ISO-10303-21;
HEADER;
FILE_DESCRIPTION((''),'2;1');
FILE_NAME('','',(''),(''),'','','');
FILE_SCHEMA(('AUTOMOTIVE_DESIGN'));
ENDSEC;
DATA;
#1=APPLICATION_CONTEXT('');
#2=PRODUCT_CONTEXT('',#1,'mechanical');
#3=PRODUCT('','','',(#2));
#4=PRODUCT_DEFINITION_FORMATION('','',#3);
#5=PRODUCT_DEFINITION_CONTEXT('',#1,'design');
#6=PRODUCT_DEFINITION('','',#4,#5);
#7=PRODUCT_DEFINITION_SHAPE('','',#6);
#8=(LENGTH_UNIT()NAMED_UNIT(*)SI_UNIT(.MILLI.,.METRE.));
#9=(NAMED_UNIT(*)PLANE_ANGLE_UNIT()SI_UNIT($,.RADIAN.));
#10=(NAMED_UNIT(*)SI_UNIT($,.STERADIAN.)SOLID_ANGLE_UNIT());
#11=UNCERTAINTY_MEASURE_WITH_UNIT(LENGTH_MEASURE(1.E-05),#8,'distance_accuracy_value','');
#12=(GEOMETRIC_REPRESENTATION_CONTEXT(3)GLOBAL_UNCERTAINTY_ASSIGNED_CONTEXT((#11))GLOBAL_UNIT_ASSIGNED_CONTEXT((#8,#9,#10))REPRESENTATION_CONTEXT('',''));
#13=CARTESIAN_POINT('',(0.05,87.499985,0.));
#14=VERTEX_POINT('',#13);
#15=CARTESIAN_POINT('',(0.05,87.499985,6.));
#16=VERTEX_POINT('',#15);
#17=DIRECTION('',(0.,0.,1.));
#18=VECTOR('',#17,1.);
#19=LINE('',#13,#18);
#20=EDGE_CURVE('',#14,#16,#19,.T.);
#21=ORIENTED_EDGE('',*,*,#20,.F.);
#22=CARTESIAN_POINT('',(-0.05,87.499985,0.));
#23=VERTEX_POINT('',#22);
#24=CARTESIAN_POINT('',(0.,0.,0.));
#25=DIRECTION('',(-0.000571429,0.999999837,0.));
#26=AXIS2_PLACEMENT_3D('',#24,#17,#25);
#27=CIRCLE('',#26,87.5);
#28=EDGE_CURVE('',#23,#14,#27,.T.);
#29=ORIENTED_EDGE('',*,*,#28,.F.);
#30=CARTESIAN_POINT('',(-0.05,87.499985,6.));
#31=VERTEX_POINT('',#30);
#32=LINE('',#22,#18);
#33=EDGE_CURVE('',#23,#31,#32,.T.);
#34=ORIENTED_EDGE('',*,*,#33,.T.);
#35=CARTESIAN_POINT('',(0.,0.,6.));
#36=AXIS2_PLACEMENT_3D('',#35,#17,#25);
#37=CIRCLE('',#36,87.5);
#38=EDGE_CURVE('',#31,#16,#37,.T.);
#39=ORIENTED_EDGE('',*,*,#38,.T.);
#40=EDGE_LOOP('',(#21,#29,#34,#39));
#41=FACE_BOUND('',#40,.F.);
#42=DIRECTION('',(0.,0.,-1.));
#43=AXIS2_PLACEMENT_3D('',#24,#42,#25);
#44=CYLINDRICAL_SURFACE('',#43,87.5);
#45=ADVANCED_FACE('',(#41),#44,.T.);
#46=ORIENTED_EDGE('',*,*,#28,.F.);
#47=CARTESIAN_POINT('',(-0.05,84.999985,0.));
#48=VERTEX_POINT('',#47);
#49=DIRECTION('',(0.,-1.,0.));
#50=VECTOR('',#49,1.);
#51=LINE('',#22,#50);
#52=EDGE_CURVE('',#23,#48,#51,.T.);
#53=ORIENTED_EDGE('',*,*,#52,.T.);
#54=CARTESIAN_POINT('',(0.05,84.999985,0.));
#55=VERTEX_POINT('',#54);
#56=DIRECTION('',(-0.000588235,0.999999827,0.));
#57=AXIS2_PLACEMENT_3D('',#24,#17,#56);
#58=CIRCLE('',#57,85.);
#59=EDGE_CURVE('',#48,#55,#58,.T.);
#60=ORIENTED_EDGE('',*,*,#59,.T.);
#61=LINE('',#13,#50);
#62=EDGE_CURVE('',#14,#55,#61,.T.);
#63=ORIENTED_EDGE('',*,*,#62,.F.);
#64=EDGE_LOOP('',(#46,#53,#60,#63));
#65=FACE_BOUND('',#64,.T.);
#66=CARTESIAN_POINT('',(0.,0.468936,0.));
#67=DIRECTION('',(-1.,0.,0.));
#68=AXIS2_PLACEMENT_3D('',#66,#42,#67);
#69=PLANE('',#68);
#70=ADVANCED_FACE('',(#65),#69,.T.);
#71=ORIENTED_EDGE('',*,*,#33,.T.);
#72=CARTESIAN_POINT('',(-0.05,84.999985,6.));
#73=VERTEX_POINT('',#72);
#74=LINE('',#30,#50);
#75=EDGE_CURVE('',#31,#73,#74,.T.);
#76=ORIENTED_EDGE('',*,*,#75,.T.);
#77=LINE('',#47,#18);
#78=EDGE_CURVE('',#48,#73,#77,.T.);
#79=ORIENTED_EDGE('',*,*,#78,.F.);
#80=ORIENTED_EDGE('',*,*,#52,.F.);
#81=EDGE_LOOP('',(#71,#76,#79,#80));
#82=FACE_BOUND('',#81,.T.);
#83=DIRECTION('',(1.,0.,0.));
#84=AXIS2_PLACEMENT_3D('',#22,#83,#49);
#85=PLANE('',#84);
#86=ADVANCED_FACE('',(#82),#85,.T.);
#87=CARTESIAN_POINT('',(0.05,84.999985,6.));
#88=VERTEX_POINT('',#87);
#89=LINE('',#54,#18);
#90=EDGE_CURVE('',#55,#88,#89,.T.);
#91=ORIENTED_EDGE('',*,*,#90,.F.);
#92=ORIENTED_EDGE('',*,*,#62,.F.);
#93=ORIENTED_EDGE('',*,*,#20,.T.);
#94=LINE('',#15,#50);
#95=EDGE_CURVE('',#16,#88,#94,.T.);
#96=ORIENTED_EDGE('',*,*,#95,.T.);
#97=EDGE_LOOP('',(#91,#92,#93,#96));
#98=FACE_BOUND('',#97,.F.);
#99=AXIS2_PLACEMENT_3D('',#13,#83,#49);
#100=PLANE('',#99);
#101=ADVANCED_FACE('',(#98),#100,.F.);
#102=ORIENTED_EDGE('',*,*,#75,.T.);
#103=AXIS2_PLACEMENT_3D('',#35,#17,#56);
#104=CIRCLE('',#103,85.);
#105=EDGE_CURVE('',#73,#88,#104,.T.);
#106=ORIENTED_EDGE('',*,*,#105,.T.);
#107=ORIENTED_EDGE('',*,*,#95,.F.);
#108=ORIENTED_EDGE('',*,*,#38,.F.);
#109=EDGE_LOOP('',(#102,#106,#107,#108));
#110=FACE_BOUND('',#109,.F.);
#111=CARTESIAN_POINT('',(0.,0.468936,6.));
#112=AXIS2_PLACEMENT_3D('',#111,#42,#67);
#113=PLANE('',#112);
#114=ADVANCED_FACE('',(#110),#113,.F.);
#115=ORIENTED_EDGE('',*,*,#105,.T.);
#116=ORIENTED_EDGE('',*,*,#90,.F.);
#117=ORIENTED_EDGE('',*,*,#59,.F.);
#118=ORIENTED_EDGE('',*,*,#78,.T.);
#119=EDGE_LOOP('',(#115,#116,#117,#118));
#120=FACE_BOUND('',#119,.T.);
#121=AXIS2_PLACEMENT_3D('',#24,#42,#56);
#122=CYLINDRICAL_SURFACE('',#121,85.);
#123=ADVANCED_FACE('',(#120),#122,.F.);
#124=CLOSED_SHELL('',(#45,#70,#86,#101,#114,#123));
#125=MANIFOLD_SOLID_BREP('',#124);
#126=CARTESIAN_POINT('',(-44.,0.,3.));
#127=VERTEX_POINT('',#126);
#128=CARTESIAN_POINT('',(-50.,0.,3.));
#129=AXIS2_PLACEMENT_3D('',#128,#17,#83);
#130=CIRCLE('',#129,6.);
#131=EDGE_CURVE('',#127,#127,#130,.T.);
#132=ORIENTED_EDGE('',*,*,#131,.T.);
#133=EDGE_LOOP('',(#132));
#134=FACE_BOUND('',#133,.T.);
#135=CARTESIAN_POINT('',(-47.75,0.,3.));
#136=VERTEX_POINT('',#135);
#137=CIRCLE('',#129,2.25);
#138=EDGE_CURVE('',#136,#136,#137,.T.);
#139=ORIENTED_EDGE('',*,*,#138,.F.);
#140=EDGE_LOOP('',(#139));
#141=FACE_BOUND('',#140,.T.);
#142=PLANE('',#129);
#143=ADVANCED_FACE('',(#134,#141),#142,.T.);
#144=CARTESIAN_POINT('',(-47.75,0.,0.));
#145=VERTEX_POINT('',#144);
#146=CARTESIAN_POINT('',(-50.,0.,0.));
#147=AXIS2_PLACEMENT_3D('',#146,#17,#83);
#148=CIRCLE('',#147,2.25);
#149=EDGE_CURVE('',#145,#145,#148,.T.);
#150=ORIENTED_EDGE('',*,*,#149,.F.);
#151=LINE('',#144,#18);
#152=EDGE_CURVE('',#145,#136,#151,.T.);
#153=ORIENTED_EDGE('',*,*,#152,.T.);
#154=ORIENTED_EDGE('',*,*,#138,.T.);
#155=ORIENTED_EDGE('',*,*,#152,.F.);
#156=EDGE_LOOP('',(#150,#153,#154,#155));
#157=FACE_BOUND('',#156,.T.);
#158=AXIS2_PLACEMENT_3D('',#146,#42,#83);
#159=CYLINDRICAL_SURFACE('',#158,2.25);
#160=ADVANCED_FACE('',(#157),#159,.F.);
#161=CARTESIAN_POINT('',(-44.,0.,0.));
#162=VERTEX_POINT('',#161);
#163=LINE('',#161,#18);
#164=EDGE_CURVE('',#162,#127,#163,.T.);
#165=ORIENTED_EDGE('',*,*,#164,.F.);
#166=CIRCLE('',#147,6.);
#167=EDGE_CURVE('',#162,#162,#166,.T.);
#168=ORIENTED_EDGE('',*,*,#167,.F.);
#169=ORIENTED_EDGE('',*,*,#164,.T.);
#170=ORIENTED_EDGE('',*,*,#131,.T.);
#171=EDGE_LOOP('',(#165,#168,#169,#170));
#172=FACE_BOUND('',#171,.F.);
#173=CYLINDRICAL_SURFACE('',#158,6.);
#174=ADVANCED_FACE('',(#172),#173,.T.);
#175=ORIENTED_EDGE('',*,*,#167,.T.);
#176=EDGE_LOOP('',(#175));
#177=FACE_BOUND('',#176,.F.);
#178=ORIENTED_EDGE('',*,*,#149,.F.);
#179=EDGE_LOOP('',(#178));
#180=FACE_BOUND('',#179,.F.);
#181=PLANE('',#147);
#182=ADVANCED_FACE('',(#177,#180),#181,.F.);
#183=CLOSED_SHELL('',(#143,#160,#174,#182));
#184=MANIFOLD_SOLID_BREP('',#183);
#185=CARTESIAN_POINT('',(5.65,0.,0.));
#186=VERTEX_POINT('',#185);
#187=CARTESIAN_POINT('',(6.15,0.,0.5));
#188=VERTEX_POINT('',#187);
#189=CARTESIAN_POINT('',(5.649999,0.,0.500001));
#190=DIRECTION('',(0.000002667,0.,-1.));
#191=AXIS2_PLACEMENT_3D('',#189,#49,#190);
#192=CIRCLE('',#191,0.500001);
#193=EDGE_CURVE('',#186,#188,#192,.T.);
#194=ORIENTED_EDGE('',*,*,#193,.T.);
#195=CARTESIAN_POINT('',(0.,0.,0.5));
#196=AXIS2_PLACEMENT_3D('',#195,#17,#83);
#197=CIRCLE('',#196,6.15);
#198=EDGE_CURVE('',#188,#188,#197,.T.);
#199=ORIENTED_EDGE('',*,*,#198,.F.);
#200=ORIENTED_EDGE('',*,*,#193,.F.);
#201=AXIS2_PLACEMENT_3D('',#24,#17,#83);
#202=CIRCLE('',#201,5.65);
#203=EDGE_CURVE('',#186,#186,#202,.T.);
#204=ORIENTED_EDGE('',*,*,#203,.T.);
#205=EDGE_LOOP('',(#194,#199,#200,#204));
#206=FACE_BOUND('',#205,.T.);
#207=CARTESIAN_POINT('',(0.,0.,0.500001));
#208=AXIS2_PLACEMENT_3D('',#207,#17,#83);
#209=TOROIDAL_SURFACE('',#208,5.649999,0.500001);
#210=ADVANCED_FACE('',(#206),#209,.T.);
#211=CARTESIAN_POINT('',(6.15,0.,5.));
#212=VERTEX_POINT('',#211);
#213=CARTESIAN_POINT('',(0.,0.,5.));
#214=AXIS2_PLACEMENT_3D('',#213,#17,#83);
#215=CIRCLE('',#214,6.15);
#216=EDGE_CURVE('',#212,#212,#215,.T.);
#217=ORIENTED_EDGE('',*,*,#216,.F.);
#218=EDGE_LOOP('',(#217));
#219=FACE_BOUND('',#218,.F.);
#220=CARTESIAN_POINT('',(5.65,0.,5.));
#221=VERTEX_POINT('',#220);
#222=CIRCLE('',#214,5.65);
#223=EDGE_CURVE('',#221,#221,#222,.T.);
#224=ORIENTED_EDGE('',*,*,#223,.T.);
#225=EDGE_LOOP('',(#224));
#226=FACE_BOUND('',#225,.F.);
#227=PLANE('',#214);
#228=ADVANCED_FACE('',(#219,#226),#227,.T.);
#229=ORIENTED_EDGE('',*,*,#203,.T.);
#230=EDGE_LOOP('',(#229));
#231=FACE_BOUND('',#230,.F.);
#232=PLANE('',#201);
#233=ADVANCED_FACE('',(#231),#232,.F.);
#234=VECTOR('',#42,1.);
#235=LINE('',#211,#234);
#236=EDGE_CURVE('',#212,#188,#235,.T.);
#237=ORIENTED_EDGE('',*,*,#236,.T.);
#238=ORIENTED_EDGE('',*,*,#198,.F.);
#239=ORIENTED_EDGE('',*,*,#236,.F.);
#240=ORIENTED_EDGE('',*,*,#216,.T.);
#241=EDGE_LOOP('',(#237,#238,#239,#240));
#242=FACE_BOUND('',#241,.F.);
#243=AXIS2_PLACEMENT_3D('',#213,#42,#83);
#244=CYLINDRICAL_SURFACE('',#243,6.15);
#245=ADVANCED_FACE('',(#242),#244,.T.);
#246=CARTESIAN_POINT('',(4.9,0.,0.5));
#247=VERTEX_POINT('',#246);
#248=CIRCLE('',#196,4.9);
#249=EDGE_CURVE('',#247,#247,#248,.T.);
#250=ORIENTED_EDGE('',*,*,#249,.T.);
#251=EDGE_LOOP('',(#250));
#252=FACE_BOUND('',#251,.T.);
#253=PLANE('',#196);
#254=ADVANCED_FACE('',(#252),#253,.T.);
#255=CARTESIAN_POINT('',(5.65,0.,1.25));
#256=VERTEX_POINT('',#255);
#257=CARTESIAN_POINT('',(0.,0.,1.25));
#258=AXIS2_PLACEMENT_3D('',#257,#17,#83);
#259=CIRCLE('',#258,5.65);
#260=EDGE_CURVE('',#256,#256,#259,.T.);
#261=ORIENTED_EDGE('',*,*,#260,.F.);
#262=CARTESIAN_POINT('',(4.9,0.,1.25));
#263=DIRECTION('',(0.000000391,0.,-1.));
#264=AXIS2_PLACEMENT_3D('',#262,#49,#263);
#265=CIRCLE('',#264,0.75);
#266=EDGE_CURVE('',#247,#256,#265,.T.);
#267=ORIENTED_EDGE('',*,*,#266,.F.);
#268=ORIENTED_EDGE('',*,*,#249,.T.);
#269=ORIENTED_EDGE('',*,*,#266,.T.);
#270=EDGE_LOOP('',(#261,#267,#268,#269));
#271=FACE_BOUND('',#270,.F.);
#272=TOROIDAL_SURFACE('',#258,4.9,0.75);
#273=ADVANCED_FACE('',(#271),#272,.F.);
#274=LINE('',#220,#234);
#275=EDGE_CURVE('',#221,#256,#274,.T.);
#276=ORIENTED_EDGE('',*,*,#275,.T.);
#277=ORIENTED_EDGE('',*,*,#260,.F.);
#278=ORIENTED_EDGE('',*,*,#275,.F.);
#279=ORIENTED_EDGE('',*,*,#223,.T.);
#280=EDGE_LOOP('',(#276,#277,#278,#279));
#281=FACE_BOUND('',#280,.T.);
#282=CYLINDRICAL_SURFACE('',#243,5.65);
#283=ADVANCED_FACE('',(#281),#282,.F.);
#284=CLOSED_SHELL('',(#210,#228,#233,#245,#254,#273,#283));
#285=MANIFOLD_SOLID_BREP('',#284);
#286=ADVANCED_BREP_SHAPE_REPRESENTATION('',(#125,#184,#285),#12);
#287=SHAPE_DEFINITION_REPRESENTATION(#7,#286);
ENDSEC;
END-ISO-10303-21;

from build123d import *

# Parameters (mm, degrees)
PAD_DEPTH     = 6
SKETCH001_R   = 6
SKETCH001_R_2 = 2.25
PAD001_DEPTH  = 3


with BuildPart() as body:
    # Sketch → Pad (new body)
    with BuildSketch(Plane.XY):
        with BuildLine():
            ThreePointArc((-0.05, 84.999985), (0, -85), (0.05, 84.999985))
            Line((0.05, 87.499985), (0.05, 84.999985))
            ThreePointArc((-0.05, 87.499985), (0, -87.5), (0.05, 87.499985))
            Line((-0.05, 87.499985), (-0.05, 84.999985))
        make_face()
    extrude(amount=PAD_DEPTH)


with BuildPart() as f_12x4_5x3_5_washer:
    # Sketch001 → Pad001 (new body)
    with BuildSketch(Plane.XY):
        Circle(SKETCH001_R)
        Circle(SKETCH001_R_2, mode=Mode.SUBTRACT)
    extrude(amount=PAD001_DEPTH)


with BuildPart() as f_12x4_5x3_5_washer_1:
    # Body001 placement: moved
    add(f_12x4_5x3_5_washer.part.moved(Location((-50, 0, 0))))


with BuildPart() as f_12mm_cap:
    # Sketch002 → Revolution (revolve)
    with BuildSketch(Plane.XZ):
        with BuildLine():
            Line((6.15, 5), (6.15, 0.5))
            ThreePointArc((5.65, 0), (6.003553, 0.146447), (6.15, 0.5))
            Line((5.65, 0), (0, 0))
            Line((0, 0), (0, 0.5))
            Line((4.9, 0.5), (0, 0.5))
            ThreePointArc((4.9, 0.5), (5.43033, 0.71967), (5.65, 1.25))
            Line((5.65, 5), (5.65, 1.25))
            Line((5.65, 5), (6.15, 5))
        make_face()
    revolve(axis=Axis((0, 0, 0), (0, 0, 1)))


solid = Compound([body.part, f_12x4_5x3_5_washer_1.part, f_12mm_cap.part])
